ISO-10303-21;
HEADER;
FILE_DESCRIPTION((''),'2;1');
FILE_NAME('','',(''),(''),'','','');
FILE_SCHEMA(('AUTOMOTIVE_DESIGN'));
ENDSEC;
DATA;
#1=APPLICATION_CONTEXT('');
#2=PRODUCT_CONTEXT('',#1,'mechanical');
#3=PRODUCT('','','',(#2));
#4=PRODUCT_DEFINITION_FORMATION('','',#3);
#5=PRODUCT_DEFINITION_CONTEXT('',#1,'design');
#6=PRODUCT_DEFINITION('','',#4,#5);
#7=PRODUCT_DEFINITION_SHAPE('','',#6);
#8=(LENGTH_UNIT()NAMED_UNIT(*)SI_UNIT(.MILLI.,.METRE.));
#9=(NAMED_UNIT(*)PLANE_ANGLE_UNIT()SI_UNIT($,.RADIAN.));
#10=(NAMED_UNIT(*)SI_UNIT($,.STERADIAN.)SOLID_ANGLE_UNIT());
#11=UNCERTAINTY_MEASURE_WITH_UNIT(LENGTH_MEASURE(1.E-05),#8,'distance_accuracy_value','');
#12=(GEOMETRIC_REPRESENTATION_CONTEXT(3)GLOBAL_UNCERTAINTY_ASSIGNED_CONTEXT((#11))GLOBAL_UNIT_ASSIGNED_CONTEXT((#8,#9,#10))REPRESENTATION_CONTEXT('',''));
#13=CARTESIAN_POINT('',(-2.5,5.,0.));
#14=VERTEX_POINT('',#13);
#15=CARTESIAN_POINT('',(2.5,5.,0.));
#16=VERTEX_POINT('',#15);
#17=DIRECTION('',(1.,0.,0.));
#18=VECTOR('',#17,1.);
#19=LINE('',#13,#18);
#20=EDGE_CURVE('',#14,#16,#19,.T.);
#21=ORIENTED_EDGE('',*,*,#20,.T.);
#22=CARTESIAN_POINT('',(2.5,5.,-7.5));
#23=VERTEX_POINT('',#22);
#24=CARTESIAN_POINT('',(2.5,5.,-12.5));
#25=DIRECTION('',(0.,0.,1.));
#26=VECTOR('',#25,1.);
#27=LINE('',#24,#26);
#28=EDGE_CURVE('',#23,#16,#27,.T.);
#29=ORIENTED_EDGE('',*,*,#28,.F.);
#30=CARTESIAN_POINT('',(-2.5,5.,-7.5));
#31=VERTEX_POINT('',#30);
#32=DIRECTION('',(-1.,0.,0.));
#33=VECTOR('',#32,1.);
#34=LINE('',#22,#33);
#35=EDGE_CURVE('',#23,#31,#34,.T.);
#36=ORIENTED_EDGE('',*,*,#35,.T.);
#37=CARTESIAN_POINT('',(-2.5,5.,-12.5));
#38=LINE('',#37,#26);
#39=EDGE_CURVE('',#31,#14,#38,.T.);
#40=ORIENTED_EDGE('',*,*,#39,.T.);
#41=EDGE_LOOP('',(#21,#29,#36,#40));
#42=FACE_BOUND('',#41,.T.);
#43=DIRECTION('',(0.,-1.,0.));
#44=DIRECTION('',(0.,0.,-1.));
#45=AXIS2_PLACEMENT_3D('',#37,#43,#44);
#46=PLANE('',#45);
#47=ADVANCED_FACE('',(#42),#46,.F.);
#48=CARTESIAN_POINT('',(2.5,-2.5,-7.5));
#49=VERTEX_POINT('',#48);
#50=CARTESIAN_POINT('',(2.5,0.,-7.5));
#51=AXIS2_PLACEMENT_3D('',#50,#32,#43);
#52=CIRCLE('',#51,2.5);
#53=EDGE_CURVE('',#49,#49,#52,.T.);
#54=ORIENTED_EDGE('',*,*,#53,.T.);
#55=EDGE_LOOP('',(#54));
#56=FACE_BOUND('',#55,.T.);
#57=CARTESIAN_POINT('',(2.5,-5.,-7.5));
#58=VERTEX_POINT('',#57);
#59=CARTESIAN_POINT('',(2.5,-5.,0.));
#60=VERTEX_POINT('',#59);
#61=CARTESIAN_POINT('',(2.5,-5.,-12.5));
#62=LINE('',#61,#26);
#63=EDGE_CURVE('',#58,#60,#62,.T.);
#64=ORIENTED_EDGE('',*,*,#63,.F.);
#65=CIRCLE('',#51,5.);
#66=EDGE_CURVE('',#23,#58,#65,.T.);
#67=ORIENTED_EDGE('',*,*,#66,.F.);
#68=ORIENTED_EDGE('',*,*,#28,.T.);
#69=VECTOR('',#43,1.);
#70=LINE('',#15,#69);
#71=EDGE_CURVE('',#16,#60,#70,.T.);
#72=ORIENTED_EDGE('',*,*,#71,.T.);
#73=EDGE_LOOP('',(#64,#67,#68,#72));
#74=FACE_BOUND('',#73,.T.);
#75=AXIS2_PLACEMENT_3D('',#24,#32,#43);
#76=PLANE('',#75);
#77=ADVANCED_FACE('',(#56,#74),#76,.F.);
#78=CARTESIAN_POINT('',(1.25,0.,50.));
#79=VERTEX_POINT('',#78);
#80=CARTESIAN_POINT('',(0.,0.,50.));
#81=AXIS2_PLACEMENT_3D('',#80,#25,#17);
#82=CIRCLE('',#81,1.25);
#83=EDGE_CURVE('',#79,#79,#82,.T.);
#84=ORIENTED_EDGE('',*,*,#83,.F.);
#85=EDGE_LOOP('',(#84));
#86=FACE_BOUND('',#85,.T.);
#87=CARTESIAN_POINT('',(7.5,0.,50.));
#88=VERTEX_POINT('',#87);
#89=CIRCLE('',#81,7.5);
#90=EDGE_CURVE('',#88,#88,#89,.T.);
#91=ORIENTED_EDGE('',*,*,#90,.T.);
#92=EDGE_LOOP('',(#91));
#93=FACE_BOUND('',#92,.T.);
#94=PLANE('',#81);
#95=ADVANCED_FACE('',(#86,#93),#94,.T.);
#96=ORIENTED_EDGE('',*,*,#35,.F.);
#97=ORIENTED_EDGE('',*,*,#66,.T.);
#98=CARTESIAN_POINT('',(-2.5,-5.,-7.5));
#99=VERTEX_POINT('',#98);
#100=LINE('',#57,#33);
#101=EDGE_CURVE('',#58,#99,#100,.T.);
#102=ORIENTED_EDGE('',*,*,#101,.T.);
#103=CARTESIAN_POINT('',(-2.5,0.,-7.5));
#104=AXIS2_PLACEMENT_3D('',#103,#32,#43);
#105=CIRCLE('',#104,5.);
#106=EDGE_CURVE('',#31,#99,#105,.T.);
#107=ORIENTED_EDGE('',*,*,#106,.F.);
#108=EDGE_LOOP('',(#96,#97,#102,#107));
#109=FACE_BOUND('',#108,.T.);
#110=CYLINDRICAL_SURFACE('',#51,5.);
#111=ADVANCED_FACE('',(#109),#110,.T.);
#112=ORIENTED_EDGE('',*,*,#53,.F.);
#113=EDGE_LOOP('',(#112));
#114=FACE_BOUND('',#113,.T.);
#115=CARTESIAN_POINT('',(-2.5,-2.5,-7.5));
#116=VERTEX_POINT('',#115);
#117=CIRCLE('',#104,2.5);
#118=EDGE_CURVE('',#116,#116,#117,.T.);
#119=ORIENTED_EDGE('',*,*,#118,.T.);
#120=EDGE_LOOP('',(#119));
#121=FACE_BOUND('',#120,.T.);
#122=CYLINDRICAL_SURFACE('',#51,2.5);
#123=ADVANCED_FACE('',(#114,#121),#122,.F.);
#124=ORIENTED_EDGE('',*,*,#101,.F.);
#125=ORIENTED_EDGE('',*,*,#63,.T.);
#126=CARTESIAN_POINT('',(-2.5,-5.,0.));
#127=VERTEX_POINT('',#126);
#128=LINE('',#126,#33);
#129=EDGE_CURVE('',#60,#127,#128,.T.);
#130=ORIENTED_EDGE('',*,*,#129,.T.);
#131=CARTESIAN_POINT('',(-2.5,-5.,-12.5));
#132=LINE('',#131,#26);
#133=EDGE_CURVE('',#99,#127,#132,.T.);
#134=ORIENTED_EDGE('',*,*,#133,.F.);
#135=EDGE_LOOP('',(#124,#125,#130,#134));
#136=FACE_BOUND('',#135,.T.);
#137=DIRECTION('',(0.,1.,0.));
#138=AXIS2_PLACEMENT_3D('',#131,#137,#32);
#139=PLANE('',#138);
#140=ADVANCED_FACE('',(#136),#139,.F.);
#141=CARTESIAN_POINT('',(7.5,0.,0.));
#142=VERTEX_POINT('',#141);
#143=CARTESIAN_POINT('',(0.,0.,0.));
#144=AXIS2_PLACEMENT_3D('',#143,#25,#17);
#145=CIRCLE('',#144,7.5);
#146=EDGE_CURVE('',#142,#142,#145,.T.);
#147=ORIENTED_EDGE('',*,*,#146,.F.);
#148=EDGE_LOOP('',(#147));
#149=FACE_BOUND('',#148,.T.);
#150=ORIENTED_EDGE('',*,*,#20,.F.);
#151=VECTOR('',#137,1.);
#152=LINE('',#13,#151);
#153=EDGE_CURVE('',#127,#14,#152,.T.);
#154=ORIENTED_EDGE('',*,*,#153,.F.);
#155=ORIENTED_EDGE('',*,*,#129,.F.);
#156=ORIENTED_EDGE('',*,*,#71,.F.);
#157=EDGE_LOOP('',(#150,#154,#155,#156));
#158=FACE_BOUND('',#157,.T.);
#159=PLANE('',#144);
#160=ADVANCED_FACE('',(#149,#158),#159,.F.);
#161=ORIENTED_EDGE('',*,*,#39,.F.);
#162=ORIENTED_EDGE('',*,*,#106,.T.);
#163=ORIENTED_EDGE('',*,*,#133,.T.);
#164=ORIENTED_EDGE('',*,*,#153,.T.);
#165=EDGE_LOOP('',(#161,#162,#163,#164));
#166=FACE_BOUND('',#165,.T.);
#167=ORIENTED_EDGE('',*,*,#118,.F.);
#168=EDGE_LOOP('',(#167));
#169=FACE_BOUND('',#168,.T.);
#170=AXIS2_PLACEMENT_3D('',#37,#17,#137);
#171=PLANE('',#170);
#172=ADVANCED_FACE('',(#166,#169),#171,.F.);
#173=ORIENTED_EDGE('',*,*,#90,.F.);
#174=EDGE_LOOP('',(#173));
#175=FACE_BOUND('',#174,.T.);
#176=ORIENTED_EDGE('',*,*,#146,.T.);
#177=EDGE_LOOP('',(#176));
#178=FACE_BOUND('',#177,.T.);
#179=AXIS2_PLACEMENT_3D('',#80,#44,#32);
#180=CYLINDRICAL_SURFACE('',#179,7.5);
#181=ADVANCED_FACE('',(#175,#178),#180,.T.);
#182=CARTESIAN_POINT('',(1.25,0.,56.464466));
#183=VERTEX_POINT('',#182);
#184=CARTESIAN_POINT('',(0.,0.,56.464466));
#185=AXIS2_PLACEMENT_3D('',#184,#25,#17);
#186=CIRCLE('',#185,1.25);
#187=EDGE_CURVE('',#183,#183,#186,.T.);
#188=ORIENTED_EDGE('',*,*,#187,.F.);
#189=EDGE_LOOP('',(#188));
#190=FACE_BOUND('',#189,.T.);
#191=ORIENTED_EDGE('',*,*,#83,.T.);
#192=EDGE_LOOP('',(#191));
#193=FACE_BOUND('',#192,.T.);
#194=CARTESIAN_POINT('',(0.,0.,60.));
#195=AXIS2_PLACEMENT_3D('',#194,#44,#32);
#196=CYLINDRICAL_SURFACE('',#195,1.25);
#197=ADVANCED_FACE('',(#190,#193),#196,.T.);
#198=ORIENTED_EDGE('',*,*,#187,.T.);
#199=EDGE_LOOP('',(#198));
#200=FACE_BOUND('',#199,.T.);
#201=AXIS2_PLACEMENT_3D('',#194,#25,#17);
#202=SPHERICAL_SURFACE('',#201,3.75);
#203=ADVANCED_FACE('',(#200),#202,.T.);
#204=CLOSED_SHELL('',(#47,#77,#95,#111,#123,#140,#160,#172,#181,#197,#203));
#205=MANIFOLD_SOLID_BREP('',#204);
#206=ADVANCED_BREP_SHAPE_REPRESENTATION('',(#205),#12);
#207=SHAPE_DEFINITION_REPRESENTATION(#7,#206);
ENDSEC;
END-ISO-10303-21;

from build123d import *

# Parameters (mm, degrees)
CROQUIS1_R              = 7.5
SALIENTE_EXTRUIR1_DEPTH = 50
CROQUIS4_W              = 5
CROQUIS4_H              = 10
SALIENTE_EXTRUIR2_DEPTH = 12.5
CROQUIS5_R              = 2.5
CORTAR_EXTRUIR1_DEPTH   = 5
CROQUIS6_R              = 1.25
SALIENTE_EXTRUIR3_DEPTH = 10


with BuildPart() as part:
    # Croquis1 → Saliente-Extruir1 (new body)
    with BuildSketch(Plane.XY):
        Circle(CROQUIS1_R)
    extrude(amount=SALIENTE_EXTRUIR1_DEPTH)

    # Croquis4 → Saliente-Extruir2 (add)
    with BuildSketch(Plane(origin=(0, 0, 0), x_dir=(-1, 0, 0), z_dir=(0, 0, -1))):
        Rectangle(CROQUIS4_W, CROQUIS4_H)
    extrude(amount=SALIENTE_EXTRUIR2_DEPTH)

    # Croquis5 → Cortar-Extruir1 (cut)
    with BuildSketch(Plane.ZY.offset(2.5)):
        with BuildLine():
            ThreePointArc((-7.5, -5), (-11.035533906, -3.535533906), (-12.5, 0))
            Line((-12.5, 0), (-12.5, -5))
            Line((-12.5, -5), (-7.5, -5))
        make_face()
        with BuildLine():
            ThreePointArc((-12.5, 0), (-11.035533906, 3.535533906), (-7.5, 5))
            Line((-7.5, 5), (-12.5, 5))
            Line((-12.5, 5), (-12.5, 0))
        make_face()
        with Locations(Location((-7.5, 0, 0), (0, 0, 270))):
            Circle(CROQUIS5_R)
    extrude(amount=-CORTAR_EXTRUIR1_DEPTH, mode=Mode.SUBTRACT)

    # Croquis6 → Saliente-Extruir3 (add)
    with BuildSketch(Plane.XY.offset(50)):
        Circle(CROQUIS6_R)
    extrude(amount=SALIENTE_EXTRUIR3_DEPTH)

    # Croquis7 → Revolución7 (revolve)
    with BuildSketch(Plane.XY.offset(60)):
        with BuildLine():
            Line((0, 3.75), (0, -3.75))
            ThreePointArc((0, -3.75), (3.75, 0), (0, 3.75))
        make_face()
    revolve(axis=Axis((0, 7.5, 60), (0, -1, 0)))


solid = part.part
